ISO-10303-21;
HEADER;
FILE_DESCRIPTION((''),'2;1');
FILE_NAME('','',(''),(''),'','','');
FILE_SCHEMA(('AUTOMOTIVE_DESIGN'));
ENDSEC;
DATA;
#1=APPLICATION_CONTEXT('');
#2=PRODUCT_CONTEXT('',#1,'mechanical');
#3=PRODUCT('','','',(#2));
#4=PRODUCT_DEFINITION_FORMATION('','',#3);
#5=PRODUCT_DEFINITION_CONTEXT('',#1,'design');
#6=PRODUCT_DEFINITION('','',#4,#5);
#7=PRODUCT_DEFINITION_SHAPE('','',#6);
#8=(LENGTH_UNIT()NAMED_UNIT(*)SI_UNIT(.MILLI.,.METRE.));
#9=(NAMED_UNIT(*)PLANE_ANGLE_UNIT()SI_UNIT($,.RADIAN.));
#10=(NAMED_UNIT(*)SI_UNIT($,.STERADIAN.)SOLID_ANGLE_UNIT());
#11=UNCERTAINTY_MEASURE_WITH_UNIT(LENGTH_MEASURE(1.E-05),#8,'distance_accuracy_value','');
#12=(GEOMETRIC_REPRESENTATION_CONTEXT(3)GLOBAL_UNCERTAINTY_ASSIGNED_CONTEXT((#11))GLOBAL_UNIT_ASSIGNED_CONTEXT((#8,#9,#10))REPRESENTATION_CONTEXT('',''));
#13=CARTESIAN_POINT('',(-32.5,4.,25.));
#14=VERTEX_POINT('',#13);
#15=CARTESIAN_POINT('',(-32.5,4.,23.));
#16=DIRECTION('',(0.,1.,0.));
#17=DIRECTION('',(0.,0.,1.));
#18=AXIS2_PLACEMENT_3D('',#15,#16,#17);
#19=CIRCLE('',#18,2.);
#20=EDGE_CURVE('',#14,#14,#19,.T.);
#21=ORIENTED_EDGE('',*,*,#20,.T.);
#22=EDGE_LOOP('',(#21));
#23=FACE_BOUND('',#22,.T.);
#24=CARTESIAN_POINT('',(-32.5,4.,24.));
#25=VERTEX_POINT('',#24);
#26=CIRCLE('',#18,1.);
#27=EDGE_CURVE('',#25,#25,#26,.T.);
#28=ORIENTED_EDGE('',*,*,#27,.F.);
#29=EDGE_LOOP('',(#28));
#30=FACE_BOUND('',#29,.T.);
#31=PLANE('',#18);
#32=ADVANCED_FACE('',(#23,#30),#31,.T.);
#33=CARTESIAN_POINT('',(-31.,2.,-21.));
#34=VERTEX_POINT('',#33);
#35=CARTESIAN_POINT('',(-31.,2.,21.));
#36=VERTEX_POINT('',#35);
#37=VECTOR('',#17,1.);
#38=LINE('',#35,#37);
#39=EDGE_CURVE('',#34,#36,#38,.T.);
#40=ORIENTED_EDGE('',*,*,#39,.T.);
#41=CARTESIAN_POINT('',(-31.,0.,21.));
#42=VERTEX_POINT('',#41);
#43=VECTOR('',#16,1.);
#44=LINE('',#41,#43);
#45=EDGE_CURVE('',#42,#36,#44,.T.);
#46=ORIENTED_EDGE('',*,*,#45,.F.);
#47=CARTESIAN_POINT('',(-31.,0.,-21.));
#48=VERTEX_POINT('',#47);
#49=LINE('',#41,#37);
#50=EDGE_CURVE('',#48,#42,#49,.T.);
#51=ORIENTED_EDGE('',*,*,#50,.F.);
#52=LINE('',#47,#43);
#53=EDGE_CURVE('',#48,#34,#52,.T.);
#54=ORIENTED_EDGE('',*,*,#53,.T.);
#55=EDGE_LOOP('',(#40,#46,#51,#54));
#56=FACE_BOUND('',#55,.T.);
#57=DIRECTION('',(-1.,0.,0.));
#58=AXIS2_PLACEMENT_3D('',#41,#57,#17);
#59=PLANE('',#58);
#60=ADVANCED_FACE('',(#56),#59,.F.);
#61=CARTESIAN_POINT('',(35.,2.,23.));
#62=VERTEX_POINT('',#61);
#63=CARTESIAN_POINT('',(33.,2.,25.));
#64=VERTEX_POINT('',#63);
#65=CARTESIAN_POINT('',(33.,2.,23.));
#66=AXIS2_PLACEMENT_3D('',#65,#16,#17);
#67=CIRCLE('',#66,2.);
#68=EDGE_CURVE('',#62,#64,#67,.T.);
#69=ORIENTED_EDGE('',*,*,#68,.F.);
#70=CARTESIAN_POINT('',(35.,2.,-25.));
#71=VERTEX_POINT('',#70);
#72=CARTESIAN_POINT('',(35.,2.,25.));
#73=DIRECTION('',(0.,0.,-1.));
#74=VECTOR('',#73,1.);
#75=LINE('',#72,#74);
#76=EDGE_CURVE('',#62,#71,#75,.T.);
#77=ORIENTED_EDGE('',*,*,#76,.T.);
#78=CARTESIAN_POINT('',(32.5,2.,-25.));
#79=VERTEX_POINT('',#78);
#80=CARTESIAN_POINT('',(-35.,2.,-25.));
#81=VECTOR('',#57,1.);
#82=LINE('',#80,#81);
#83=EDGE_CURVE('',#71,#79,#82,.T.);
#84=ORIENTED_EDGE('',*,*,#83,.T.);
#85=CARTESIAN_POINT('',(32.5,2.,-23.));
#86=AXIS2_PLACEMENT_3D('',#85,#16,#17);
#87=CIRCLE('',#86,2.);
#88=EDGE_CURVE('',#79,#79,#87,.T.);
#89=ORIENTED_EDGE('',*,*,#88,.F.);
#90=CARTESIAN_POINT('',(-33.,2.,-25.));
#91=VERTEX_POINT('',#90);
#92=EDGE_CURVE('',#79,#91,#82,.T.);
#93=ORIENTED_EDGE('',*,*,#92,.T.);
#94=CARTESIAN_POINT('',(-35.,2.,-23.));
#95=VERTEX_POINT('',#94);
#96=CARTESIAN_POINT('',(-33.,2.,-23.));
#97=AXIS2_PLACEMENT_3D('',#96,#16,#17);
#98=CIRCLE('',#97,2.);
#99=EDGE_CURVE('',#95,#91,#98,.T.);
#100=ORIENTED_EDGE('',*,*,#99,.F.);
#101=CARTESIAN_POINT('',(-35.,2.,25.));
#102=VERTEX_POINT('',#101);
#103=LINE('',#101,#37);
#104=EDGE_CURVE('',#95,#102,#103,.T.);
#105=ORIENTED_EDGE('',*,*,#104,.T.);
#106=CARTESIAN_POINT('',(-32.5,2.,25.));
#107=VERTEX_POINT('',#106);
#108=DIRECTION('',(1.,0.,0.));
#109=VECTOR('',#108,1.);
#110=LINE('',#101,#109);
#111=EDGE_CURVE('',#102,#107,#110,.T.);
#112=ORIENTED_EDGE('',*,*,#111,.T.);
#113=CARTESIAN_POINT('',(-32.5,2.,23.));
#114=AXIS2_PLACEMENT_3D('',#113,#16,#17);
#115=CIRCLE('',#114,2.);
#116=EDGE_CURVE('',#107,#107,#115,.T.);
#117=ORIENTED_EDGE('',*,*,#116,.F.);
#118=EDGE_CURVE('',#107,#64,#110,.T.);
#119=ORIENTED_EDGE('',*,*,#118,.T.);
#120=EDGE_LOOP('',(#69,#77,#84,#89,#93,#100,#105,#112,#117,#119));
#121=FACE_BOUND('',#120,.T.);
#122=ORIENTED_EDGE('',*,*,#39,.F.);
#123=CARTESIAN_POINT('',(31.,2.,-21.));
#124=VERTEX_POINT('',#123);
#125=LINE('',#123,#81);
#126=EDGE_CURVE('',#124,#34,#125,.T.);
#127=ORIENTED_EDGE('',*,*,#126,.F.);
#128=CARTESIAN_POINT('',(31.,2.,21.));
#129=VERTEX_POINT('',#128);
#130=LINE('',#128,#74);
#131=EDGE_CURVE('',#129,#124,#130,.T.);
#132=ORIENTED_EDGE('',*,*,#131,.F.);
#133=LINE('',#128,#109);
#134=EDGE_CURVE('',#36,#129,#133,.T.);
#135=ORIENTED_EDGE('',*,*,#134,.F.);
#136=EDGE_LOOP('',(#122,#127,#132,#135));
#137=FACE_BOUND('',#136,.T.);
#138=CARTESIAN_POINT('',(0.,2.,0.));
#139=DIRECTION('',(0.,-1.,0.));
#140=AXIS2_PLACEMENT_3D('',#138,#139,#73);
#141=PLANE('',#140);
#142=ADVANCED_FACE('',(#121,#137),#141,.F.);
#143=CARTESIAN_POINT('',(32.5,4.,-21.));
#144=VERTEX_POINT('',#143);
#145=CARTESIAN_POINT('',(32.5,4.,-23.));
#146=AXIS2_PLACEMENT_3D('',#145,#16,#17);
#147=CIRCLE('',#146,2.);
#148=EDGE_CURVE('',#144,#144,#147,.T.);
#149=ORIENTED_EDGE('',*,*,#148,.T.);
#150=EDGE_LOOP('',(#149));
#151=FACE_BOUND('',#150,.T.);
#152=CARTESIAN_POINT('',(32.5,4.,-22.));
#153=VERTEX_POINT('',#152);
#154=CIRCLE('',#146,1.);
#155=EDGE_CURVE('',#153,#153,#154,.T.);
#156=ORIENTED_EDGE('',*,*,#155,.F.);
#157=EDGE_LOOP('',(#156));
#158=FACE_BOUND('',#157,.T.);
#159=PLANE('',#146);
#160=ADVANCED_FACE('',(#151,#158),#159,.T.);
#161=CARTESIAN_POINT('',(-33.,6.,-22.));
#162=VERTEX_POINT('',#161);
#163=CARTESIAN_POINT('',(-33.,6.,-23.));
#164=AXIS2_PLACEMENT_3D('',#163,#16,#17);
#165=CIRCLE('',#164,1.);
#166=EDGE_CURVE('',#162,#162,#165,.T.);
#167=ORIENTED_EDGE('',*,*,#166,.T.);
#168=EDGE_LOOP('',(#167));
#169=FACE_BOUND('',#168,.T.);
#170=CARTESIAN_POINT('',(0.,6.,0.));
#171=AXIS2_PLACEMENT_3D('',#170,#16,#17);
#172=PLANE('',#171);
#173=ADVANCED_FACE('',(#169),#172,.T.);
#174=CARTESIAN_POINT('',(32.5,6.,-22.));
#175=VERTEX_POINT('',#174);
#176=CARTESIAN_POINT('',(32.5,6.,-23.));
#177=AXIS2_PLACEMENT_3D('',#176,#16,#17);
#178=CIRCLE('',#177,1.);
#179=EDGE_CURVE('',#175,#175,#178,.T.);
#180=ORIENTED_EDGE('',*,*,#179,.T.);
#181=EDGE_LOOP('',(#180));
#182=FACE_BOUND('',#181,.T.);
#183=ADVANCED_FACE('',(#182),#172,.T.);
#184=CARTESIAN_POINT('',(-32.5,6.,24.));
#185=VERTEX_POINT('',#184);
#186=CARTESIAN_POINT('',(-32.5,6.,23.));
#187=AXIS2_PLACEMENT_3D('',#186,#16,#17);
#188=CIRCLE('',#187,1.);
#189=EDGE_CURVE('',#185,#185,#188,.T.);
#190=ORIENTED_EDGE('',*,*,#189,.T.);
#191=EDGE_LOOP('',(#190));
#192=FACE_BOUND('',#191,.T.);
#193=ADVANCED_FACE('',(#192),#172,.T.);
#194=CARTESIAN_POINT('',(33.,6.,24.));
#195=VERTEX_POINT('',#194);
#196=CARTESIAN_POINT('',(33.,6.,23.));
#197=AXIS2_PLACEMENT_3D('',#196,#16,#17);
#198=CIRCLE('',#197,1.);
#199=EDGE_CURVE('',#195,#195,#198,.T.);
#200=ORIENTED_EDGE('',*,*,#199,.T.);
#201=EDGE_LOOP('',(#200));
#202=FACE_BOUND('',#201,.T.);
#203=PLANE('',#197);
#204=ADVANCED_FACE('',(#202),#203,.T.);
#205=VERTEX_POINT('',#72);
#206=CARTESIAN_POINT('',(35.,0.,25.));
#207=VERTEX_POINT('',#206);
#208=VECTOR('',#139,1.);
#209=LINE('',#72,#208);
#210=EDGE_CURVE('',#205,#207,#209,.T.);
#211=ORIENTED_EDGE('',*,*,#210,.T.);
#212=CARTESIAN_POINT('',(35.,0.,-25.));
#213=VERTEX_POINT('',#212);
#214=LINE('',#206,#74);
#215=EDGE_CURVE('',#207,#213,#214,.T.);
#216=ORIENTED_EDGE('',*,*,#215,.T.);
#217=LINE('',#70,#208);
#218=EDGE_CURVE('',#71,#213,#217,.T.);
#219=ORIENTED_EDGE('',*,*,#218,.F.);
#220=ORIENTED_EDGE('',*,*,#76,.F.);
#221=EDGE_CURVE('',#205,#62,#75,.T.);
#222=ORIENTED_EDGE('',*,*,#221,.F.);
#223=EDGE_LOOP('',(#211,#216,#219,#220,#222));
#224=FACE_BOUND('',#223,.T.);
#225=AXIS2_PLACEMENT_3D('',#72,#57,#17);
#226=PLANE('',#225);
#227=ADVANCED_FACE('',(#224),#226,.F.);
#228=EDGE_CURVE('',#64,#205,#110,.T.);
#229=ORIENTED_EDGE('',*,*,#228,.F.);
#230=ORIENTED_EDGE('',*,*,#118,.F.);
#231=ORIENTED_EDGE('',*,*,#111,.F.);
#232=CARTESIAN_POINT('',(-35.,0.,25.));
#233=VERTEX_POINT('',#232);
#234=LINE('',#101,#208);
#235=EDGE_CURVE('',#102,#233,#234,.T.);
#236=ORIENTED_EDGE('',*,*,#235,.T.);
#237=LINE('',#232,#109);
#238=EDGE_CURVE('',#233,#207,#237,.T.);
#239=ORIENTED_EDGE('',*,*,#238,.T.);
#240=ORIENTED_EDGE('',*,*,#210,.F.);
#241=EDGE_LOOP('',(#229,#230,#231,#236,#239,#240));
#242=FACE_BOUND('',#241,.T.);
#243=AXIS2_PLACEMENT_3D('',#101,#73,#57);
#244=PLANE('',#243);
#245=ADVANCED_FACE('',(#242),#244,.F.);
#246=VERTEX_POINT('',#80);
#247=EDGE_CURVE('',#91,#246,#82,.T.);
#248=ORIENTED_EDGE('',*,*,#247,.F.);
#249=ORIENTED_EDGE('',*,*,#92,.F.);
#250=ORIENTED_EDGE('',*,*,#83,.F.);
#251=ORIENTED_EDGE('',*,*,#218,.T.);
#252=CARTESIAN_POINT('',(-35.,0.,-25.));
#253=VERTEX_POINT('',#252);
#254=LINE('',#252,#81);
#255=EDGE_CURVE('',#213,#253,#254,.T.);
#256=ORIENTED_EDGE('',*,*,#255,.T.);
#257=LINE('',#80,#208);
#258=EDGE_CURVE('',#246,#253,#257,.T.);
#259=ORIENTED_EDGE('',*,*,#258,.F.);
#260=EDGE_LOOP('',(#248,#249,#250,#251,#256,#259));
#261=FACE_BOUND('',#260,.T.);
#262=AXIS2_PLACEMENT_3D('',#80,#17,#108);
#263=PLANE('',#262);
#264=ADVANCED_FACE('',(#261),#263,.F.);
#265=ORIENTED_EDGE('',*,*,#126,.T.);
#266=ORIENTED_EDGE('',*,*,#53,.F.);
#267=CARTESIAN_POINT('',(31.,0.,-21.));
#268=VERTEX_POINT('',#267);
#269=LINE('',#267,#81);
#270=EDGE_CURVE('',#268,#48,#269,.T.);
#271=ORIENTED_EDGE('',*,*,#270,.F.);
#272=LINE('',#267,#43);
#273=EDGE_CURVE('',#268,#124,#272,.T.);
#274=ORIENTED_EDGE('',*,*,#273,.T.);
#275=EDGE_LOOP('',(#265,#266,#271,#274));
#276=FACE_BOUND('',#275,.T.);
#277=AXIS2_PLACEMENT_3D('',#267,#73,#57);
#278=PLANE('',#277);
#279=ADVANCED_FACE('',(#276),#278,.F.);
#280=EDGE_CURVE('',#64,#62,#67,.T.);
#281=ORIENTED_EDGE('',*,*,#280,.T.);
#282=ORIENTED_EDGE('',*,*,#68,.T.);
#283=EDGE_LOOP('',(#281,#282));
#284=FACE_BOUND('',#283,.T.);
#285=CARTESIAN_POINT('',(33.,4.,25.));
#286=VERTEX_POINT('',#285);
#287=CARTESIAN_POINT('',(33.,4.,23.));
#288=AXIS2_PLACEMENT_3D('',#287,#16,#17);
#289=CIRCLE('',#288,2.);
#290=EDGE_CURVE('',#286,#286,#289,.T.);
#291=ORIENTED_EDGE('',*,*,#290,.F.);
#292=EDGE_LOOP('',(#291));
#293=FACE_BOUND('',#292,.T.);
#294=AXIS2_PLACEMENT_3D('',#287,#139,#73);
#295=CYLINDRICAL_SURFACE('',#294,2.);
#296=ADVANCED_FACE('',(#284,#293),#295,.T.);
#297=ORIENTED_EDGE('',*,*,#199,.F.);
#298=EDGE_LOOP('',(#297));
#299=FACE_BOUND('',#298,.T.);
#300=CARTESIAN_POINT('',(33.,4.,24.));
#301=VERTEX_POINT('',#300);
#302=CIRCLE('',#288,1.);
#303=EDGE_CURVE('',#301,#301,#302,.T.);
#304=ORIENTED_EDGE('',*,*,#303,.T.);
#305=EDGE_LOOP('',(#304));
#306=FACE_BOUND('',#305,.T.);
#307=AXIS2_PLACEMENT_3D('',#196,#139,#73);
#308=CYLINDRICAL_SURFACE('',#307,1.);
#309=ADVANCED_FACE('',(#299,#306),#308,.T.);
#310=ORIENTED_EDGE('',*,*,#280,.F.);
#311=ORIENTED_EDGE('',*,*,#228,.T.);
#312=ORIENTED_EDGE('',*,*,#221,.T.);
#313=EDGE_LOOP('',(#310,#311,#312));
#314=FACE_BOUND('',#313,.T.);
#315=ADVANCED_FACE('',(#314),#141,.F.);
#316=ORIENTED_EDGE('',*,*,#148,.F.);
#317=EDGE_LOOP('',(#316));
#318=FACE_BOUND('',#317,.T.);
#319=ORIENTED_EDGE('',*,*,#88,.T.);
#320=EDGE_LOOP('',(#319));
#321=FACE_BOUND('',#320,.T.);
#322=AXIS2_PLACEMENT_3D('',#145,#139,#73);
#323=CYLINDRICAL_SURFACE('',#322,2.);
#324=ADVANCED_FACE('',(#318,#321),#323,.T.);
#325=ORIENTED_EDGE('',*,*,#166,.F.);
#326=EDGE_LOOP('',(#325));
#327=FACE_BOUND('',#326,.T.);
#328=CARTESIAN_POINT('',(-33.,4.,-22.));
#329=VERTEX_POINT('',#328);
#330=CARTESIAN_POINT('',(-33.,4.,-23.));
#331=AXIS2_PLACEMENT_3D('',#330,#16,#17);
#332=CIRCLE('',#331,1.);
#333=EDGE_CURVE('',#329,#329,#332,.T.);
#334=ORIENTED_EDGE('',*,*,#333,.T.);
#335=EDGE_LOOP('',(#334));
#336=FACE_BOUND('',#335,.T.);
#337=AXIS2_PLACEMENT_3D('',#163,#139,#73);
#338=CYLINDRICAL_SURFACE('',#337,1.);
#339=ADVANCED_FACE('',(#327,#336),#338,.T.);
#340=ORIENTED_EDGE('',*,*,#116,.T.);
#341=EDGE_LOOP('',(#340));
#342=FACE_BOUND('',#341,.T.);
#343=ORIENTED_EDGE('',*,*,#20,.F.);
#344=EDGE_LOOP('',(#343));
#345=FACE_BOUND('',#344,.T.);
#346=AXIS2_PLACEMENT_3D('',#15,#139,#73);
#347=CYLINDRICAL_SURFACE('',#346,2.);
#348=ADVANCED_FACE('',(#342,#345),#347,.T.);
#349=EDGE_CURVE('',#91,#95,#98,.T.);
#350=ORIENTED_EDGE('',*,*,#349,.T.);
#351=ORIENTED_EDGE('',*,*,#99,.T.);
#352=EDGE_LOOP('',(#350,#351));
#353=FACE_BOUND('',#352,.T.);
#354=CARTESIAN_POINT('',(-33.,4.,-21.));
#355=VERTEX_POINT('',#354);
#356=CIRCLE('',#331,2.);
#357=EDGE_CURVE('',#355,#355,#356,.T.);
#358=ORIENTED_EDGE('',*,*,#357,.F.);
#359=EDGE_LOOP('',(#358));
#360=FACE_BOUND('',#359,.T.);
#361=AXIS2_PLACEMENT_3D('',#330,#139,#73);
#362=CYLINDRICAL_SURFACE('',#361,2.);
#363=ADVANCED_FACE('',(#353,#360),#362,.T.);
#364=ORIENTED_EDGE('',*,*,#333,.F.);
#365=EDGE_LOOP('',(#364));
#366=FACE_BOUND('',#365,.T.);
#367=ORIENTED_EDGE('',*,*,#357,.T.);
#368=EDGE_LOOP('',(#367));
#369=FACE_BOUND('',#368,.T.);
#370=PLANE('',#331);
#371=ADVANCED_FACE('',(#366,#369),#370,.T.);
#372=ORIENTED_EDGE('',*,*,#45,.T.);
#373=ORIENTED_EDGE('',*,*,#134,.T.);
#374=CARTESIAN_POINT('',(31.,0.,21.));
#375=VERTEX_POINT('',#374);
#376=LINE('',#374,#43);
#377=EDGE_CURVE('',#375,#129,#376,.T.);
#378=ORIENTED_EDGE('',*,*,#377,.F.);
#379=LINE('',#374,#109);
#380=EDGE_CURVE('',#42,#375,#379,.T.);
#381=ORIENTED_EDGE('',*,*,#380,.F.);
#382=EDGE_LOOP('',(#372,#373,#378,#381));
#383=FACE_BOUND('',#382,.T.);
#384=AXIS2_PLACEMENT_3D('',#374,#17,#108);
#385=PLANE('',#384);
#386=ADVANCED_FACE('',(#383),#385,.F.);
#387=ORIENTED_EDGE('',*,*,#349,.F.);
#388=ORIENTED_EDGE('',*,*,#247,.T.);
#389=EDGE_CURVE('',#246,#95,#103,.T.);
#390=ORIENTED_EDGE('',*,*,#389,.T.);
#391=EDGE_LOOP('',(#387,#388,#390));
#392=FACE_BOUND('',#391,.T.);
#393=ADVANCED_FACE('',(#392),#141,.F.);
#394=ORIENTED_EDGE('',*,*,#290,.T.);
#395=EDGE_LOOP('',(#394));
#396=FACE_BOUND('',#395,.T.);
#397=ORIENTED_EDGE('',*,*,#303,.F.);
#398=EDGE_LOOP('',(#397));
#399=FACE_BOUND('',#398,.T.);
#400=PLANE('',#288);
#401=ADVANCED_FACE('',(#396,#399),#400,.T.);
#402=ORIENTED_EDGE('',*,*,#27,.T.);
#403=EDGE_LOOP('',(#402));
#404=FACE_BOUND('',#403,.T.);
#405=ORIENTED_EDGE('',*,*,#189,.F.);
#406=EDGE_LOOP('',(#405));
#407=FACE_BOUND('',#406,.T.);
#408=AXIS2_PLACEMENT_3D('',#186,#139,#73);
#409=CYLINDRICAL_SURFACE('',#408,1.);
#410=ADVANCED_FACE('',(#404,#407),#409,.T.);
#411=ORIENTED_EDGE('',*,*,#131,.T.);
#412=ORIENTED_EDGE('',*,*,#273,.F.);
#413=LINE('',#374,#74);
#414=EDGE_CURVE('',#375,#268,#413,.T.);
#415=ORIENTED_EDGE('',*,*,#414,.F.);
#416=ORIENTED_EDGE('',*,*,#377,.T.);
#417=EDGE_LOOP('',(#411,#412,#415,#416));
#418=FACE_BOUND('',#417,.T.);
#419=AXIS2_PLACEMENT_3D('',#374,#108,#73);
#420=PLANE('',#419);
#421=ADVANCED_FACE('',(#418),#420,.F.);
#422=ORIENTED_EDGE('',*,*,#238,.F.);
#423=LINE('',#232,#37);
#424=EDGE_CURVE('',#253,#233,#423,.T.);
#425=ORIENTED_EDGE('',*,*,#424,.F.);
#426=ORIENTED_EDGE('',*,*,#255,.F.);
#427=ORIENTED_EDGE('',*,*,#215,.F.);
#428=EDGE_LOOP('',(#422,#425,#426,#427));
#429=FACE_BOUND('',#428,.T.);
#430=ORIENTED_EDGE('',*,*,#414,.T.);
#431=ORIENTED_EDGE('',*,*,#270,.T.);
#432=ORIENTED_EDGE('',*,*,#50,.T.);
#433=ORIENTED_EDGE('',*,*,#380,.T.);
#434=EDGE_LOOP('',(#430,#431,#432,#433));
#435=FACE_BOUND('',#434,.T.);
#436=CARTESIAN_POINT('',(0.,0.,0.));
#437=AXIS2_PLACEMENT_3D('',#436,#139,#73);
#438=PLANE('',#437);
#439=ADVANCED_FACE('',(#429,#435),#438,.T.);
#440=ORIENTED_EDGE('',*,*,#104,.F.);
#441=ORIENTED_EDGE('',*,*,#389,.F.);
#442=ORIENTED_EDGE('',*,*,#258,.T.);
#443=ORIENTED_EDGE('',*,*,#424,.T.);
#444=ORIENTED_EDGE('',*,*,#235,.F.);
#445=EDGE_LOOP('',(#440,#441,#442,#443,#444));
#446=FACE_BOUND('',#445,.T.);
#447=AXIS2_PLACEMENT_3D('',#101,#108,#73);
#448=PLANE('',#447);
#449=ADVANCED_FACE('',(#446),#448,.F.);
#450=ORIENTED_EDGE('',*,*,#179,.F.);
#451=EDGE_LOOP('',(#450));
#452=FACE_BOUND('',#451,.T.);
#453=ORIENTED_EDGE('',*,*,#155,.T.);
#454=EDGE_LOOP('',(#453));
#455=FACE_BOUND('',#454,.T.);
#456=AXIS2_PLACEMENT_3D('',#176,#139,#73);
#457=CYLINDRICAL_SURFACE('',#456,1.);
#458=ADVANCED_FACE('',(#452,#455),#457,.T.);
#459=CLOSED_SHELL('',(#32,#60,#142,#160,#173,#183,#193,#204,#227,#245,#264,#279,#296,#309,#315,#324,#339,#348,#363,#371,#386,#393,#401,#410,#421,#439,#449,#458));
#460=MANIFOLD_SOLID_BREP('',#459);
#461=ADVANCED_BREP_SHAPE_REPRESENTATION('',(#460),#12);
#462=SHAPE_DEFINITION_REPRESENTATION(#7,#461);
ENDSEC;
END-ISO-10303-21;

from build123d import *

# Parameters (mm, degrees)
SKETCH1_W           = 70
SKETCH1_H           = 50
BOSS_EXTRUDE1_DEPTH = 2
SKETCH2_R           = 1
BOSS_EXTRUDE2_DEPTH = 4
SKETCH3_R           = 2
BOSS_EXTRUDE3_DEPTH = 2
SKETCH4_W           = 62
SKETCH4_H           = 42
CUT_EXTRUDE1_DEPTH  = 2


with BuildPart() as part:
    # Sketch1 → Boss-Extrude1 (new body)
    with BuildSketch(Plane(origin=(0, 0, 0), x_dir=(1, 0, 0), z_dir=(0, 1, 0))):
        Rectangle(SKETCH1_W, SKETCH1_H)
    extrude(amount=BOSS_EXTRUDE1_DEPTH)

    # Sketch2 → Boss-Extrude2 (add)
    with BuildSketch(Plane(origin=(0, 2, 0), x_dir=(1, 0, 0), z_dir=(0, 1, 0))):
        with Locations(Location((-32.5, -23, 0), (0, 0, 90))):
            Circle(SKETCH2_R)
        with Locations(Location((-33, 23, 0), (0, 0, 90))):
            Circle(SKETCH2_R)
        with Locations(Location((32.5, 23, 0), (0, 0, 90))):
            Circle(SKETCH2_R)
        with Locations(Location((33, -23, 0), (0, 0, 90))):
            Circle(SKETCH2_R)
    extrude(amount=BOSS_EXTRUDE2_DEPTH)

    # Sketch3 → Boss-Extrude3 (add)
    with BuildSketch(Plane(origin=(0, 2, 0), x_dir=(1, 0, 0), z_dir=(0, 1, 0))):
        with Locations(Location((-33, 23, 0), (0, 0, 90))):
            Circle(SKETCH3_R)
        with Locations(Location((32.5, 23, 0), (0, 0, 90))):
            Circle(SKETCH3_R)
        with Locations(Location((33, -23, 0), (0, 0, 270))):
            Circle(SKETCH3_R)
        with Locations(Location((-32.5, -23, 0), (0, 0, 270))):
            Circle(SKETCH3_R)
    extrude(amount=BOSS_EXTRUDE3_DEPTH)

    # Sketch4 → Cut-Extrude1 (cut)
    with BuildSketch(Plane(origin=(0, 2, 0), x_dir=(1, 0, 0), z_dir=(0, 1, 0))):
        Rectangle(SKETCH4_W, SKETCH4_H)
    extrude(amount=-CUT_EXTRUDE1_DEPTH, mode=Mode.SUBTRACT)


solid = part.part
